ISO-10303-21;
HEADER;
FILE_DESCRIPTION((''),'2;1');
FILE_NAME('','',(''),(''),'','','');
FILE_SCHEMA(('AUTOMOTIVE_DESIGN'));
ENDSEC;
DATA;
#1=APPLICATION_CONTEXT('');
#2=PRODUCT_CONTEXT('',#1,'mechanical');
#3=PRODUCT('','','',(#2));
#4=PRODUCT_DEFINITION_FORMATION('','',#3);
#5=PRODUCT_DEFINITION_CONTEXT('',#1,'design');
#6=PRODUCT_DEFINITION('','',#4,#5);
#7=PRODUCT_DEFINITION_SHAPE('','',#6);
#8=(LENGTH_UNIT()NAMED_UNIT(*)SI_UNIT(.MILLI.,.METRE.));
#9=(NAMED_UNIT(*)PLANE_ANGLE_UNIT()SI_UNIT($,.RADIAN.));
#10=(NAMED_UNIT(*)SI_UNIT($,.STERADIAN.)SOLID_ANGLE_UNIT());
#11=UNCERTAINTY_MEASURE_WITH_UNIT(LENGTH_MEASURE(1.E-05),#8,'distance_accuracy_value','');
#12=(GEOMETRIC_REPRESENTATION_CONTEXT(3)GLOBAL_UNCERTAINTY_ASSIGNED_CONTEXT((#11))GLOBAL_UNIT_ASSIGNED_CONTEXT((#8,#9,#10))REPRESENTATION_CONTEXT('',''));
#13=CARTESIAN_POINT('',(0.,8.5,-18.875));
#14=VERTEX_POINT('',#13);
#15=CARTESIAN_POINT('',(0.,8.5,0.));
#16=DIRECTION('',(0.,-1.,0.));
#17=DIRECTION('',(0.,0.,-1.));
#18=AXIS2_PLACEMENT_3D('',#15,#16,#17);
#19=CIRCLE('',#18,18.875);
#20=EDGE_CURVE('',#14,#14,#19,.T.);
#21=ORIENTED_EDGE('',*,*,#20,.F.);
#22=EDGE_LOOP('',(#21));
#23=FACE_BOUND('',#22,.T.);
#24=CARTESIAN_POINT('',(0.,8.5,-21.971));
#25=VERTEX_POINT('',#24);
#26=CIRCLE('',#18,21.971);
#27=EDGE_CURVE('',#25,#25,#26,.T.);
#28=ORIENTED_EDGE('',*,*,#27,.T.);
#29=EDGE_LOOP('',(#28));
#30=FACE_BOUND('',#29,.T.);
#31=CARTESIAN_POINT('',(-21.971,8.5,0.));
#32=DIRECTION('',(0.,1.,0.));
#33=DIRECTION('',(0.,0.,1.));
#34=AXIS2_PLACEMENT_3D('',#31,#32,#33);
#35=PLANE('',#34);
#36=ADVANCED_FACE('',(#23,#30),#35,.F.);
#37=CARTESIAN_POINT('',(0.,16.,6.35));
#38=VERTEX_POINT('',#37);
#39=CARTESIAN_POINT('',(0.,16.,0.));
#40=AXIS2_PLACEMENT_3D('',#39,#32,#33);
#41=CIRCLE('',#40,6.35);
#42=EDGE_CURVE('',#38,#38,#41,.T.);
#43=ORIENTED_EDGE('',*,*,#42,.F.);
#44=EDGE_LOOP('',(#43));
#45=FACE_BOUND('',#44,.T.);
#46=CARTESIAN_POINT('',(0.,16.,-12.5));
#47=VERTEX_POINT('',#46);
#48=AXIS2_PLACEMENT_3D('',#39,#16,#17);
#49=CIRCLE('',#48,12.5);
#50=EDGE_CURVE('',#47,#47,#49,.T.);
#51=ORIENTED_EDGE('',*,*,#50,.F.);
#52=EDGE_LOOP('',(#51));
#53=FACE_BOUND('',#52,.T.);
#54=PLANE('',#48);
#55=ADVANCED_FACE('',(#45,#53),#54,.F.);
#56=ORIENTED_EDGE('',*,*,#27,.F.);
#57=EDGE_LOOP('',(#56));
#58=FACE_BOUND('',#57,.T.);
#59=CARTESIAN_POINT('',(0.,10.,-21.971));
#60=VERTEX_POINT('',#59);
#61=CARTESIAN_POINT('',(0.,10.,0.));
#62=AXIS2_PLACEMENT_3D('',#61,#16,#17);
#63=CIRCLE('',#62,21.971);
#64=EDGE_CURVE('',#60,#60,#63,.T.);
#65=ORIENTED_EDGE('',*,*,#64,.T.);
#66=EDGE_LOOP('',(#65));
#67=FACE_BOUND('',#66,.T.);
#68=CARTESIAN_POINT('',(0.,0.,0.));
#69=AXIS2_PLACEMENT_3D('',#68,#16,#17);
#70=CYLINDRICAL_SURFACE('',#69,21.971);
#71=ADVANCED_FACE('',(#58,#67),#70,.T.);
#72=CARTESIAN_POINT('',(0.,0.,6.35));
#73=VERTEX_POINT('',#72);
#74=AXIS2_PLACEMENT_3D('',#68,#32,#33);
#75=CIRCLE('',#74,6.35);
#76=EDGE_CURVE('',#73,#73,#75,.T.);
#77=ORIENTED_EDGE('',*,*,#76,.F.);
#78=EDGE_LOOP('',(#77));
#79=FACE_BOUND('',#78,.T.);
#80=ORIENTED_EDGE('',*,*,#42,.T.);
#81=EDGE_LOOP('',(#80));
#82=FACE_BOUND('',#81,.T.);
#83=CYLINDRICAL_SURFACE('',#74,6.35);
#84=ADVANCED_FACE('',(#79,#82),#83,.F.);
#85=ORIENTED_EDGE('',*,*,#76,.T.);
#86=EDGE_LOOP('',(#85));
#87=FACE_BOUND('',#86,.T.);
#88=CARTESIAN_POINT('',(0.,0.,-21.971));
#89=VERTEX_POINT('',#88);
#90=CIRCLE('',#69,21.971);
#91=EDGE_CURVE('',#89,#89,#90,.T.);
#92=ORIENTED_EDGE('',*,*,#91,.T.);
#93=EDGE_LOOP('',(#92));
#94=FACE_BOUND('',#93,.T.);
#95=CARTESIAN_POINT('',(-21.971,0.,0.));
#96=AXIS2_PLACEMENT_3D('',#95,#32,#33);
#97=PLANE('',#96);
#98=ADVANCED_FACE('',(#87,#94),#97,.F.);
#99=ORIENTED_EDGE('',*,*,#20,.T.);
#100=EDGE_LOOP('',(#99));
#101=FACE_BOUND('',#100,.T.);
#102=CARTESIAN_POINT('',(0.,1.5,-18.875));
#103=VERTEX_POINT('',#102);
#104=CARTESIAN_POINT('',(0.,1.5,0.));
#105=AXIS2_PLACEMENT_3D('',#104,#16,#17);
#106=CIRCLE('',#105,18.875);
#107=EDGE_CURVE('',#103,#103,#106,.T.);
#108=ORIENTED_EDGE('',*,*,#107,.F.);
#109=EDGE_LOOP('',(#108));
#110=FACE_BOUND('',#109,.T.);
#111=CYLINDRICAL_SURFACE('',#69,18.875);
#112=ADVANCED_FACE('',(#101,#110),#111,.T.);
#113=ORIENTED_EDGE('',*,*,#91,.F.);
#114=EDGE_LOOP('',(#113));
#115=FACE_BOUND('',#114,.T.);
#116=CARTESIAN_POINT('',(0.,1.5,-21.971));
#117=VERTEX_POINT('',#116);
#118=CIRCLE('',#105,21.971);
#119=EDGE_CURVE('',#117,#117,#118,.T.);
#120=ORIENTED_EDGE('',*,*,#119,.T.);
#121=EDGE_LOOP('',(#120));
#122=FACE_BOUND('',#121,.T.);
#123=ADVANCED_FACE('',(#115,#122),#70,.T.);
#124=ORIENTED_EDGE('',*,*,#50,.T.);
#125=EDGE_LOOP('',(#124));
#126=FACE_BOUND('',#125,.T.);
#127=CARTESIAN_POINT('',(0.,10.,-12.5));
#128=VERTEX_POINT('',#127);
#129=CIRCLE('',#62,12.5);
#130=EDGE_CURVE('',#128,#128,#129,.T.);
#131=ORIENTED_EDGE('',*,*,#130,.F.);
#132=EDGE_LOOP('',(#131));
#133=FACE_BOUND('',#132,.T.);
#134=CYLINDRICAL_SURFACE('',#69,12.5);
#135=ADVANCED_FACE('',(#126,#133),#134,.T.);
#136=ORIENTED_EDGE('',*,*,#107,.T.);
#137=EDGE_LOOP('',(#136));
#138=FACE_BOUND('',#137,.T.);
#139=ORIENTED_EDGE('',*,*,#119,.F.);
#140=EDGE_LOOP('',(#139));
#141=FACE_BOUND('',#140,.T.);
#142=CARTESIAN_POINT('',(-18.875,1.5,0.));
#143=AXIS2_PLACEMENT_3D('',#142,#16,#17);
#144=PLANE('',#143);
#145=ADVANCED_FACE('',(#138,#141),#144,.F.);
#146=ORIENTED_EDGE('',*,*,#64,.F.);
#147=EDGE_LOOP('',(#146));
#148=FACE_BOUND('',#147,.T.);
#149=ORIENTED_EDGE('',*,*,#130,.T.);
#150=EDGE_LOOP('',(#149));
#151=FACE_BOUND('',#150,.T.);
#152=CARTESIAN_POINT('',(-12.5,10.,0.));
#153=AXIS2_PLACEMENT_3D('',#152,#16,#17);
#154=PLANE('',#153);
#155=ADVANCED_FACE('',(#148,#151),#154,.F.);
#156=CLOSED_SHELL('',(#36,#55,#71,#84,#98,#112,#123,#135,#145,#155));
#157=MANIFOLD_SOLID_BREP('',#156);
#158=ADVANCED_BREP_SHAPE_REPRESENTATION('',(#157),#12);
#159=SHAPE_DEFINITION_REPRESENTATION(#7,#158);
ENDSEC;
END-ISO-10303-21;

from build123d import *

# Parameters (mm, degrees)
SKETCH2_R          = 6.35
CUT_EXTRUDE1_DEPTH = 17


with BuildPart() as part:
    # Sketch1 → Revolve1 (revolve)
    with BuildSketch(Plane.XY):
        Polygon((0, 0), (0, 16), (-12.5, 16), (-12.5, 10), (-21.971, 10), (-21.971, 8.5), (-18.875, 8.5), (-18.875, 1.5), (-21.971, 1.5), (-21.971, 0), align=None)
    revolve(axis=Axis((0, 0, 0), (0, 1, 0)))

    # Sketch2 → Cut-Extrude1 (cut, through all)
    with BuildSketch(Plane(origin=(0, 16, 0), x_dir=(1, 0, 0), z_dir=(0, 1, 0))):
        Circle(SKETCH2_R)
    extrude(amount=-CUT_EXTRUDE1_DEPTH, mode=Mode.SUBTRACT)


solid = part.part
